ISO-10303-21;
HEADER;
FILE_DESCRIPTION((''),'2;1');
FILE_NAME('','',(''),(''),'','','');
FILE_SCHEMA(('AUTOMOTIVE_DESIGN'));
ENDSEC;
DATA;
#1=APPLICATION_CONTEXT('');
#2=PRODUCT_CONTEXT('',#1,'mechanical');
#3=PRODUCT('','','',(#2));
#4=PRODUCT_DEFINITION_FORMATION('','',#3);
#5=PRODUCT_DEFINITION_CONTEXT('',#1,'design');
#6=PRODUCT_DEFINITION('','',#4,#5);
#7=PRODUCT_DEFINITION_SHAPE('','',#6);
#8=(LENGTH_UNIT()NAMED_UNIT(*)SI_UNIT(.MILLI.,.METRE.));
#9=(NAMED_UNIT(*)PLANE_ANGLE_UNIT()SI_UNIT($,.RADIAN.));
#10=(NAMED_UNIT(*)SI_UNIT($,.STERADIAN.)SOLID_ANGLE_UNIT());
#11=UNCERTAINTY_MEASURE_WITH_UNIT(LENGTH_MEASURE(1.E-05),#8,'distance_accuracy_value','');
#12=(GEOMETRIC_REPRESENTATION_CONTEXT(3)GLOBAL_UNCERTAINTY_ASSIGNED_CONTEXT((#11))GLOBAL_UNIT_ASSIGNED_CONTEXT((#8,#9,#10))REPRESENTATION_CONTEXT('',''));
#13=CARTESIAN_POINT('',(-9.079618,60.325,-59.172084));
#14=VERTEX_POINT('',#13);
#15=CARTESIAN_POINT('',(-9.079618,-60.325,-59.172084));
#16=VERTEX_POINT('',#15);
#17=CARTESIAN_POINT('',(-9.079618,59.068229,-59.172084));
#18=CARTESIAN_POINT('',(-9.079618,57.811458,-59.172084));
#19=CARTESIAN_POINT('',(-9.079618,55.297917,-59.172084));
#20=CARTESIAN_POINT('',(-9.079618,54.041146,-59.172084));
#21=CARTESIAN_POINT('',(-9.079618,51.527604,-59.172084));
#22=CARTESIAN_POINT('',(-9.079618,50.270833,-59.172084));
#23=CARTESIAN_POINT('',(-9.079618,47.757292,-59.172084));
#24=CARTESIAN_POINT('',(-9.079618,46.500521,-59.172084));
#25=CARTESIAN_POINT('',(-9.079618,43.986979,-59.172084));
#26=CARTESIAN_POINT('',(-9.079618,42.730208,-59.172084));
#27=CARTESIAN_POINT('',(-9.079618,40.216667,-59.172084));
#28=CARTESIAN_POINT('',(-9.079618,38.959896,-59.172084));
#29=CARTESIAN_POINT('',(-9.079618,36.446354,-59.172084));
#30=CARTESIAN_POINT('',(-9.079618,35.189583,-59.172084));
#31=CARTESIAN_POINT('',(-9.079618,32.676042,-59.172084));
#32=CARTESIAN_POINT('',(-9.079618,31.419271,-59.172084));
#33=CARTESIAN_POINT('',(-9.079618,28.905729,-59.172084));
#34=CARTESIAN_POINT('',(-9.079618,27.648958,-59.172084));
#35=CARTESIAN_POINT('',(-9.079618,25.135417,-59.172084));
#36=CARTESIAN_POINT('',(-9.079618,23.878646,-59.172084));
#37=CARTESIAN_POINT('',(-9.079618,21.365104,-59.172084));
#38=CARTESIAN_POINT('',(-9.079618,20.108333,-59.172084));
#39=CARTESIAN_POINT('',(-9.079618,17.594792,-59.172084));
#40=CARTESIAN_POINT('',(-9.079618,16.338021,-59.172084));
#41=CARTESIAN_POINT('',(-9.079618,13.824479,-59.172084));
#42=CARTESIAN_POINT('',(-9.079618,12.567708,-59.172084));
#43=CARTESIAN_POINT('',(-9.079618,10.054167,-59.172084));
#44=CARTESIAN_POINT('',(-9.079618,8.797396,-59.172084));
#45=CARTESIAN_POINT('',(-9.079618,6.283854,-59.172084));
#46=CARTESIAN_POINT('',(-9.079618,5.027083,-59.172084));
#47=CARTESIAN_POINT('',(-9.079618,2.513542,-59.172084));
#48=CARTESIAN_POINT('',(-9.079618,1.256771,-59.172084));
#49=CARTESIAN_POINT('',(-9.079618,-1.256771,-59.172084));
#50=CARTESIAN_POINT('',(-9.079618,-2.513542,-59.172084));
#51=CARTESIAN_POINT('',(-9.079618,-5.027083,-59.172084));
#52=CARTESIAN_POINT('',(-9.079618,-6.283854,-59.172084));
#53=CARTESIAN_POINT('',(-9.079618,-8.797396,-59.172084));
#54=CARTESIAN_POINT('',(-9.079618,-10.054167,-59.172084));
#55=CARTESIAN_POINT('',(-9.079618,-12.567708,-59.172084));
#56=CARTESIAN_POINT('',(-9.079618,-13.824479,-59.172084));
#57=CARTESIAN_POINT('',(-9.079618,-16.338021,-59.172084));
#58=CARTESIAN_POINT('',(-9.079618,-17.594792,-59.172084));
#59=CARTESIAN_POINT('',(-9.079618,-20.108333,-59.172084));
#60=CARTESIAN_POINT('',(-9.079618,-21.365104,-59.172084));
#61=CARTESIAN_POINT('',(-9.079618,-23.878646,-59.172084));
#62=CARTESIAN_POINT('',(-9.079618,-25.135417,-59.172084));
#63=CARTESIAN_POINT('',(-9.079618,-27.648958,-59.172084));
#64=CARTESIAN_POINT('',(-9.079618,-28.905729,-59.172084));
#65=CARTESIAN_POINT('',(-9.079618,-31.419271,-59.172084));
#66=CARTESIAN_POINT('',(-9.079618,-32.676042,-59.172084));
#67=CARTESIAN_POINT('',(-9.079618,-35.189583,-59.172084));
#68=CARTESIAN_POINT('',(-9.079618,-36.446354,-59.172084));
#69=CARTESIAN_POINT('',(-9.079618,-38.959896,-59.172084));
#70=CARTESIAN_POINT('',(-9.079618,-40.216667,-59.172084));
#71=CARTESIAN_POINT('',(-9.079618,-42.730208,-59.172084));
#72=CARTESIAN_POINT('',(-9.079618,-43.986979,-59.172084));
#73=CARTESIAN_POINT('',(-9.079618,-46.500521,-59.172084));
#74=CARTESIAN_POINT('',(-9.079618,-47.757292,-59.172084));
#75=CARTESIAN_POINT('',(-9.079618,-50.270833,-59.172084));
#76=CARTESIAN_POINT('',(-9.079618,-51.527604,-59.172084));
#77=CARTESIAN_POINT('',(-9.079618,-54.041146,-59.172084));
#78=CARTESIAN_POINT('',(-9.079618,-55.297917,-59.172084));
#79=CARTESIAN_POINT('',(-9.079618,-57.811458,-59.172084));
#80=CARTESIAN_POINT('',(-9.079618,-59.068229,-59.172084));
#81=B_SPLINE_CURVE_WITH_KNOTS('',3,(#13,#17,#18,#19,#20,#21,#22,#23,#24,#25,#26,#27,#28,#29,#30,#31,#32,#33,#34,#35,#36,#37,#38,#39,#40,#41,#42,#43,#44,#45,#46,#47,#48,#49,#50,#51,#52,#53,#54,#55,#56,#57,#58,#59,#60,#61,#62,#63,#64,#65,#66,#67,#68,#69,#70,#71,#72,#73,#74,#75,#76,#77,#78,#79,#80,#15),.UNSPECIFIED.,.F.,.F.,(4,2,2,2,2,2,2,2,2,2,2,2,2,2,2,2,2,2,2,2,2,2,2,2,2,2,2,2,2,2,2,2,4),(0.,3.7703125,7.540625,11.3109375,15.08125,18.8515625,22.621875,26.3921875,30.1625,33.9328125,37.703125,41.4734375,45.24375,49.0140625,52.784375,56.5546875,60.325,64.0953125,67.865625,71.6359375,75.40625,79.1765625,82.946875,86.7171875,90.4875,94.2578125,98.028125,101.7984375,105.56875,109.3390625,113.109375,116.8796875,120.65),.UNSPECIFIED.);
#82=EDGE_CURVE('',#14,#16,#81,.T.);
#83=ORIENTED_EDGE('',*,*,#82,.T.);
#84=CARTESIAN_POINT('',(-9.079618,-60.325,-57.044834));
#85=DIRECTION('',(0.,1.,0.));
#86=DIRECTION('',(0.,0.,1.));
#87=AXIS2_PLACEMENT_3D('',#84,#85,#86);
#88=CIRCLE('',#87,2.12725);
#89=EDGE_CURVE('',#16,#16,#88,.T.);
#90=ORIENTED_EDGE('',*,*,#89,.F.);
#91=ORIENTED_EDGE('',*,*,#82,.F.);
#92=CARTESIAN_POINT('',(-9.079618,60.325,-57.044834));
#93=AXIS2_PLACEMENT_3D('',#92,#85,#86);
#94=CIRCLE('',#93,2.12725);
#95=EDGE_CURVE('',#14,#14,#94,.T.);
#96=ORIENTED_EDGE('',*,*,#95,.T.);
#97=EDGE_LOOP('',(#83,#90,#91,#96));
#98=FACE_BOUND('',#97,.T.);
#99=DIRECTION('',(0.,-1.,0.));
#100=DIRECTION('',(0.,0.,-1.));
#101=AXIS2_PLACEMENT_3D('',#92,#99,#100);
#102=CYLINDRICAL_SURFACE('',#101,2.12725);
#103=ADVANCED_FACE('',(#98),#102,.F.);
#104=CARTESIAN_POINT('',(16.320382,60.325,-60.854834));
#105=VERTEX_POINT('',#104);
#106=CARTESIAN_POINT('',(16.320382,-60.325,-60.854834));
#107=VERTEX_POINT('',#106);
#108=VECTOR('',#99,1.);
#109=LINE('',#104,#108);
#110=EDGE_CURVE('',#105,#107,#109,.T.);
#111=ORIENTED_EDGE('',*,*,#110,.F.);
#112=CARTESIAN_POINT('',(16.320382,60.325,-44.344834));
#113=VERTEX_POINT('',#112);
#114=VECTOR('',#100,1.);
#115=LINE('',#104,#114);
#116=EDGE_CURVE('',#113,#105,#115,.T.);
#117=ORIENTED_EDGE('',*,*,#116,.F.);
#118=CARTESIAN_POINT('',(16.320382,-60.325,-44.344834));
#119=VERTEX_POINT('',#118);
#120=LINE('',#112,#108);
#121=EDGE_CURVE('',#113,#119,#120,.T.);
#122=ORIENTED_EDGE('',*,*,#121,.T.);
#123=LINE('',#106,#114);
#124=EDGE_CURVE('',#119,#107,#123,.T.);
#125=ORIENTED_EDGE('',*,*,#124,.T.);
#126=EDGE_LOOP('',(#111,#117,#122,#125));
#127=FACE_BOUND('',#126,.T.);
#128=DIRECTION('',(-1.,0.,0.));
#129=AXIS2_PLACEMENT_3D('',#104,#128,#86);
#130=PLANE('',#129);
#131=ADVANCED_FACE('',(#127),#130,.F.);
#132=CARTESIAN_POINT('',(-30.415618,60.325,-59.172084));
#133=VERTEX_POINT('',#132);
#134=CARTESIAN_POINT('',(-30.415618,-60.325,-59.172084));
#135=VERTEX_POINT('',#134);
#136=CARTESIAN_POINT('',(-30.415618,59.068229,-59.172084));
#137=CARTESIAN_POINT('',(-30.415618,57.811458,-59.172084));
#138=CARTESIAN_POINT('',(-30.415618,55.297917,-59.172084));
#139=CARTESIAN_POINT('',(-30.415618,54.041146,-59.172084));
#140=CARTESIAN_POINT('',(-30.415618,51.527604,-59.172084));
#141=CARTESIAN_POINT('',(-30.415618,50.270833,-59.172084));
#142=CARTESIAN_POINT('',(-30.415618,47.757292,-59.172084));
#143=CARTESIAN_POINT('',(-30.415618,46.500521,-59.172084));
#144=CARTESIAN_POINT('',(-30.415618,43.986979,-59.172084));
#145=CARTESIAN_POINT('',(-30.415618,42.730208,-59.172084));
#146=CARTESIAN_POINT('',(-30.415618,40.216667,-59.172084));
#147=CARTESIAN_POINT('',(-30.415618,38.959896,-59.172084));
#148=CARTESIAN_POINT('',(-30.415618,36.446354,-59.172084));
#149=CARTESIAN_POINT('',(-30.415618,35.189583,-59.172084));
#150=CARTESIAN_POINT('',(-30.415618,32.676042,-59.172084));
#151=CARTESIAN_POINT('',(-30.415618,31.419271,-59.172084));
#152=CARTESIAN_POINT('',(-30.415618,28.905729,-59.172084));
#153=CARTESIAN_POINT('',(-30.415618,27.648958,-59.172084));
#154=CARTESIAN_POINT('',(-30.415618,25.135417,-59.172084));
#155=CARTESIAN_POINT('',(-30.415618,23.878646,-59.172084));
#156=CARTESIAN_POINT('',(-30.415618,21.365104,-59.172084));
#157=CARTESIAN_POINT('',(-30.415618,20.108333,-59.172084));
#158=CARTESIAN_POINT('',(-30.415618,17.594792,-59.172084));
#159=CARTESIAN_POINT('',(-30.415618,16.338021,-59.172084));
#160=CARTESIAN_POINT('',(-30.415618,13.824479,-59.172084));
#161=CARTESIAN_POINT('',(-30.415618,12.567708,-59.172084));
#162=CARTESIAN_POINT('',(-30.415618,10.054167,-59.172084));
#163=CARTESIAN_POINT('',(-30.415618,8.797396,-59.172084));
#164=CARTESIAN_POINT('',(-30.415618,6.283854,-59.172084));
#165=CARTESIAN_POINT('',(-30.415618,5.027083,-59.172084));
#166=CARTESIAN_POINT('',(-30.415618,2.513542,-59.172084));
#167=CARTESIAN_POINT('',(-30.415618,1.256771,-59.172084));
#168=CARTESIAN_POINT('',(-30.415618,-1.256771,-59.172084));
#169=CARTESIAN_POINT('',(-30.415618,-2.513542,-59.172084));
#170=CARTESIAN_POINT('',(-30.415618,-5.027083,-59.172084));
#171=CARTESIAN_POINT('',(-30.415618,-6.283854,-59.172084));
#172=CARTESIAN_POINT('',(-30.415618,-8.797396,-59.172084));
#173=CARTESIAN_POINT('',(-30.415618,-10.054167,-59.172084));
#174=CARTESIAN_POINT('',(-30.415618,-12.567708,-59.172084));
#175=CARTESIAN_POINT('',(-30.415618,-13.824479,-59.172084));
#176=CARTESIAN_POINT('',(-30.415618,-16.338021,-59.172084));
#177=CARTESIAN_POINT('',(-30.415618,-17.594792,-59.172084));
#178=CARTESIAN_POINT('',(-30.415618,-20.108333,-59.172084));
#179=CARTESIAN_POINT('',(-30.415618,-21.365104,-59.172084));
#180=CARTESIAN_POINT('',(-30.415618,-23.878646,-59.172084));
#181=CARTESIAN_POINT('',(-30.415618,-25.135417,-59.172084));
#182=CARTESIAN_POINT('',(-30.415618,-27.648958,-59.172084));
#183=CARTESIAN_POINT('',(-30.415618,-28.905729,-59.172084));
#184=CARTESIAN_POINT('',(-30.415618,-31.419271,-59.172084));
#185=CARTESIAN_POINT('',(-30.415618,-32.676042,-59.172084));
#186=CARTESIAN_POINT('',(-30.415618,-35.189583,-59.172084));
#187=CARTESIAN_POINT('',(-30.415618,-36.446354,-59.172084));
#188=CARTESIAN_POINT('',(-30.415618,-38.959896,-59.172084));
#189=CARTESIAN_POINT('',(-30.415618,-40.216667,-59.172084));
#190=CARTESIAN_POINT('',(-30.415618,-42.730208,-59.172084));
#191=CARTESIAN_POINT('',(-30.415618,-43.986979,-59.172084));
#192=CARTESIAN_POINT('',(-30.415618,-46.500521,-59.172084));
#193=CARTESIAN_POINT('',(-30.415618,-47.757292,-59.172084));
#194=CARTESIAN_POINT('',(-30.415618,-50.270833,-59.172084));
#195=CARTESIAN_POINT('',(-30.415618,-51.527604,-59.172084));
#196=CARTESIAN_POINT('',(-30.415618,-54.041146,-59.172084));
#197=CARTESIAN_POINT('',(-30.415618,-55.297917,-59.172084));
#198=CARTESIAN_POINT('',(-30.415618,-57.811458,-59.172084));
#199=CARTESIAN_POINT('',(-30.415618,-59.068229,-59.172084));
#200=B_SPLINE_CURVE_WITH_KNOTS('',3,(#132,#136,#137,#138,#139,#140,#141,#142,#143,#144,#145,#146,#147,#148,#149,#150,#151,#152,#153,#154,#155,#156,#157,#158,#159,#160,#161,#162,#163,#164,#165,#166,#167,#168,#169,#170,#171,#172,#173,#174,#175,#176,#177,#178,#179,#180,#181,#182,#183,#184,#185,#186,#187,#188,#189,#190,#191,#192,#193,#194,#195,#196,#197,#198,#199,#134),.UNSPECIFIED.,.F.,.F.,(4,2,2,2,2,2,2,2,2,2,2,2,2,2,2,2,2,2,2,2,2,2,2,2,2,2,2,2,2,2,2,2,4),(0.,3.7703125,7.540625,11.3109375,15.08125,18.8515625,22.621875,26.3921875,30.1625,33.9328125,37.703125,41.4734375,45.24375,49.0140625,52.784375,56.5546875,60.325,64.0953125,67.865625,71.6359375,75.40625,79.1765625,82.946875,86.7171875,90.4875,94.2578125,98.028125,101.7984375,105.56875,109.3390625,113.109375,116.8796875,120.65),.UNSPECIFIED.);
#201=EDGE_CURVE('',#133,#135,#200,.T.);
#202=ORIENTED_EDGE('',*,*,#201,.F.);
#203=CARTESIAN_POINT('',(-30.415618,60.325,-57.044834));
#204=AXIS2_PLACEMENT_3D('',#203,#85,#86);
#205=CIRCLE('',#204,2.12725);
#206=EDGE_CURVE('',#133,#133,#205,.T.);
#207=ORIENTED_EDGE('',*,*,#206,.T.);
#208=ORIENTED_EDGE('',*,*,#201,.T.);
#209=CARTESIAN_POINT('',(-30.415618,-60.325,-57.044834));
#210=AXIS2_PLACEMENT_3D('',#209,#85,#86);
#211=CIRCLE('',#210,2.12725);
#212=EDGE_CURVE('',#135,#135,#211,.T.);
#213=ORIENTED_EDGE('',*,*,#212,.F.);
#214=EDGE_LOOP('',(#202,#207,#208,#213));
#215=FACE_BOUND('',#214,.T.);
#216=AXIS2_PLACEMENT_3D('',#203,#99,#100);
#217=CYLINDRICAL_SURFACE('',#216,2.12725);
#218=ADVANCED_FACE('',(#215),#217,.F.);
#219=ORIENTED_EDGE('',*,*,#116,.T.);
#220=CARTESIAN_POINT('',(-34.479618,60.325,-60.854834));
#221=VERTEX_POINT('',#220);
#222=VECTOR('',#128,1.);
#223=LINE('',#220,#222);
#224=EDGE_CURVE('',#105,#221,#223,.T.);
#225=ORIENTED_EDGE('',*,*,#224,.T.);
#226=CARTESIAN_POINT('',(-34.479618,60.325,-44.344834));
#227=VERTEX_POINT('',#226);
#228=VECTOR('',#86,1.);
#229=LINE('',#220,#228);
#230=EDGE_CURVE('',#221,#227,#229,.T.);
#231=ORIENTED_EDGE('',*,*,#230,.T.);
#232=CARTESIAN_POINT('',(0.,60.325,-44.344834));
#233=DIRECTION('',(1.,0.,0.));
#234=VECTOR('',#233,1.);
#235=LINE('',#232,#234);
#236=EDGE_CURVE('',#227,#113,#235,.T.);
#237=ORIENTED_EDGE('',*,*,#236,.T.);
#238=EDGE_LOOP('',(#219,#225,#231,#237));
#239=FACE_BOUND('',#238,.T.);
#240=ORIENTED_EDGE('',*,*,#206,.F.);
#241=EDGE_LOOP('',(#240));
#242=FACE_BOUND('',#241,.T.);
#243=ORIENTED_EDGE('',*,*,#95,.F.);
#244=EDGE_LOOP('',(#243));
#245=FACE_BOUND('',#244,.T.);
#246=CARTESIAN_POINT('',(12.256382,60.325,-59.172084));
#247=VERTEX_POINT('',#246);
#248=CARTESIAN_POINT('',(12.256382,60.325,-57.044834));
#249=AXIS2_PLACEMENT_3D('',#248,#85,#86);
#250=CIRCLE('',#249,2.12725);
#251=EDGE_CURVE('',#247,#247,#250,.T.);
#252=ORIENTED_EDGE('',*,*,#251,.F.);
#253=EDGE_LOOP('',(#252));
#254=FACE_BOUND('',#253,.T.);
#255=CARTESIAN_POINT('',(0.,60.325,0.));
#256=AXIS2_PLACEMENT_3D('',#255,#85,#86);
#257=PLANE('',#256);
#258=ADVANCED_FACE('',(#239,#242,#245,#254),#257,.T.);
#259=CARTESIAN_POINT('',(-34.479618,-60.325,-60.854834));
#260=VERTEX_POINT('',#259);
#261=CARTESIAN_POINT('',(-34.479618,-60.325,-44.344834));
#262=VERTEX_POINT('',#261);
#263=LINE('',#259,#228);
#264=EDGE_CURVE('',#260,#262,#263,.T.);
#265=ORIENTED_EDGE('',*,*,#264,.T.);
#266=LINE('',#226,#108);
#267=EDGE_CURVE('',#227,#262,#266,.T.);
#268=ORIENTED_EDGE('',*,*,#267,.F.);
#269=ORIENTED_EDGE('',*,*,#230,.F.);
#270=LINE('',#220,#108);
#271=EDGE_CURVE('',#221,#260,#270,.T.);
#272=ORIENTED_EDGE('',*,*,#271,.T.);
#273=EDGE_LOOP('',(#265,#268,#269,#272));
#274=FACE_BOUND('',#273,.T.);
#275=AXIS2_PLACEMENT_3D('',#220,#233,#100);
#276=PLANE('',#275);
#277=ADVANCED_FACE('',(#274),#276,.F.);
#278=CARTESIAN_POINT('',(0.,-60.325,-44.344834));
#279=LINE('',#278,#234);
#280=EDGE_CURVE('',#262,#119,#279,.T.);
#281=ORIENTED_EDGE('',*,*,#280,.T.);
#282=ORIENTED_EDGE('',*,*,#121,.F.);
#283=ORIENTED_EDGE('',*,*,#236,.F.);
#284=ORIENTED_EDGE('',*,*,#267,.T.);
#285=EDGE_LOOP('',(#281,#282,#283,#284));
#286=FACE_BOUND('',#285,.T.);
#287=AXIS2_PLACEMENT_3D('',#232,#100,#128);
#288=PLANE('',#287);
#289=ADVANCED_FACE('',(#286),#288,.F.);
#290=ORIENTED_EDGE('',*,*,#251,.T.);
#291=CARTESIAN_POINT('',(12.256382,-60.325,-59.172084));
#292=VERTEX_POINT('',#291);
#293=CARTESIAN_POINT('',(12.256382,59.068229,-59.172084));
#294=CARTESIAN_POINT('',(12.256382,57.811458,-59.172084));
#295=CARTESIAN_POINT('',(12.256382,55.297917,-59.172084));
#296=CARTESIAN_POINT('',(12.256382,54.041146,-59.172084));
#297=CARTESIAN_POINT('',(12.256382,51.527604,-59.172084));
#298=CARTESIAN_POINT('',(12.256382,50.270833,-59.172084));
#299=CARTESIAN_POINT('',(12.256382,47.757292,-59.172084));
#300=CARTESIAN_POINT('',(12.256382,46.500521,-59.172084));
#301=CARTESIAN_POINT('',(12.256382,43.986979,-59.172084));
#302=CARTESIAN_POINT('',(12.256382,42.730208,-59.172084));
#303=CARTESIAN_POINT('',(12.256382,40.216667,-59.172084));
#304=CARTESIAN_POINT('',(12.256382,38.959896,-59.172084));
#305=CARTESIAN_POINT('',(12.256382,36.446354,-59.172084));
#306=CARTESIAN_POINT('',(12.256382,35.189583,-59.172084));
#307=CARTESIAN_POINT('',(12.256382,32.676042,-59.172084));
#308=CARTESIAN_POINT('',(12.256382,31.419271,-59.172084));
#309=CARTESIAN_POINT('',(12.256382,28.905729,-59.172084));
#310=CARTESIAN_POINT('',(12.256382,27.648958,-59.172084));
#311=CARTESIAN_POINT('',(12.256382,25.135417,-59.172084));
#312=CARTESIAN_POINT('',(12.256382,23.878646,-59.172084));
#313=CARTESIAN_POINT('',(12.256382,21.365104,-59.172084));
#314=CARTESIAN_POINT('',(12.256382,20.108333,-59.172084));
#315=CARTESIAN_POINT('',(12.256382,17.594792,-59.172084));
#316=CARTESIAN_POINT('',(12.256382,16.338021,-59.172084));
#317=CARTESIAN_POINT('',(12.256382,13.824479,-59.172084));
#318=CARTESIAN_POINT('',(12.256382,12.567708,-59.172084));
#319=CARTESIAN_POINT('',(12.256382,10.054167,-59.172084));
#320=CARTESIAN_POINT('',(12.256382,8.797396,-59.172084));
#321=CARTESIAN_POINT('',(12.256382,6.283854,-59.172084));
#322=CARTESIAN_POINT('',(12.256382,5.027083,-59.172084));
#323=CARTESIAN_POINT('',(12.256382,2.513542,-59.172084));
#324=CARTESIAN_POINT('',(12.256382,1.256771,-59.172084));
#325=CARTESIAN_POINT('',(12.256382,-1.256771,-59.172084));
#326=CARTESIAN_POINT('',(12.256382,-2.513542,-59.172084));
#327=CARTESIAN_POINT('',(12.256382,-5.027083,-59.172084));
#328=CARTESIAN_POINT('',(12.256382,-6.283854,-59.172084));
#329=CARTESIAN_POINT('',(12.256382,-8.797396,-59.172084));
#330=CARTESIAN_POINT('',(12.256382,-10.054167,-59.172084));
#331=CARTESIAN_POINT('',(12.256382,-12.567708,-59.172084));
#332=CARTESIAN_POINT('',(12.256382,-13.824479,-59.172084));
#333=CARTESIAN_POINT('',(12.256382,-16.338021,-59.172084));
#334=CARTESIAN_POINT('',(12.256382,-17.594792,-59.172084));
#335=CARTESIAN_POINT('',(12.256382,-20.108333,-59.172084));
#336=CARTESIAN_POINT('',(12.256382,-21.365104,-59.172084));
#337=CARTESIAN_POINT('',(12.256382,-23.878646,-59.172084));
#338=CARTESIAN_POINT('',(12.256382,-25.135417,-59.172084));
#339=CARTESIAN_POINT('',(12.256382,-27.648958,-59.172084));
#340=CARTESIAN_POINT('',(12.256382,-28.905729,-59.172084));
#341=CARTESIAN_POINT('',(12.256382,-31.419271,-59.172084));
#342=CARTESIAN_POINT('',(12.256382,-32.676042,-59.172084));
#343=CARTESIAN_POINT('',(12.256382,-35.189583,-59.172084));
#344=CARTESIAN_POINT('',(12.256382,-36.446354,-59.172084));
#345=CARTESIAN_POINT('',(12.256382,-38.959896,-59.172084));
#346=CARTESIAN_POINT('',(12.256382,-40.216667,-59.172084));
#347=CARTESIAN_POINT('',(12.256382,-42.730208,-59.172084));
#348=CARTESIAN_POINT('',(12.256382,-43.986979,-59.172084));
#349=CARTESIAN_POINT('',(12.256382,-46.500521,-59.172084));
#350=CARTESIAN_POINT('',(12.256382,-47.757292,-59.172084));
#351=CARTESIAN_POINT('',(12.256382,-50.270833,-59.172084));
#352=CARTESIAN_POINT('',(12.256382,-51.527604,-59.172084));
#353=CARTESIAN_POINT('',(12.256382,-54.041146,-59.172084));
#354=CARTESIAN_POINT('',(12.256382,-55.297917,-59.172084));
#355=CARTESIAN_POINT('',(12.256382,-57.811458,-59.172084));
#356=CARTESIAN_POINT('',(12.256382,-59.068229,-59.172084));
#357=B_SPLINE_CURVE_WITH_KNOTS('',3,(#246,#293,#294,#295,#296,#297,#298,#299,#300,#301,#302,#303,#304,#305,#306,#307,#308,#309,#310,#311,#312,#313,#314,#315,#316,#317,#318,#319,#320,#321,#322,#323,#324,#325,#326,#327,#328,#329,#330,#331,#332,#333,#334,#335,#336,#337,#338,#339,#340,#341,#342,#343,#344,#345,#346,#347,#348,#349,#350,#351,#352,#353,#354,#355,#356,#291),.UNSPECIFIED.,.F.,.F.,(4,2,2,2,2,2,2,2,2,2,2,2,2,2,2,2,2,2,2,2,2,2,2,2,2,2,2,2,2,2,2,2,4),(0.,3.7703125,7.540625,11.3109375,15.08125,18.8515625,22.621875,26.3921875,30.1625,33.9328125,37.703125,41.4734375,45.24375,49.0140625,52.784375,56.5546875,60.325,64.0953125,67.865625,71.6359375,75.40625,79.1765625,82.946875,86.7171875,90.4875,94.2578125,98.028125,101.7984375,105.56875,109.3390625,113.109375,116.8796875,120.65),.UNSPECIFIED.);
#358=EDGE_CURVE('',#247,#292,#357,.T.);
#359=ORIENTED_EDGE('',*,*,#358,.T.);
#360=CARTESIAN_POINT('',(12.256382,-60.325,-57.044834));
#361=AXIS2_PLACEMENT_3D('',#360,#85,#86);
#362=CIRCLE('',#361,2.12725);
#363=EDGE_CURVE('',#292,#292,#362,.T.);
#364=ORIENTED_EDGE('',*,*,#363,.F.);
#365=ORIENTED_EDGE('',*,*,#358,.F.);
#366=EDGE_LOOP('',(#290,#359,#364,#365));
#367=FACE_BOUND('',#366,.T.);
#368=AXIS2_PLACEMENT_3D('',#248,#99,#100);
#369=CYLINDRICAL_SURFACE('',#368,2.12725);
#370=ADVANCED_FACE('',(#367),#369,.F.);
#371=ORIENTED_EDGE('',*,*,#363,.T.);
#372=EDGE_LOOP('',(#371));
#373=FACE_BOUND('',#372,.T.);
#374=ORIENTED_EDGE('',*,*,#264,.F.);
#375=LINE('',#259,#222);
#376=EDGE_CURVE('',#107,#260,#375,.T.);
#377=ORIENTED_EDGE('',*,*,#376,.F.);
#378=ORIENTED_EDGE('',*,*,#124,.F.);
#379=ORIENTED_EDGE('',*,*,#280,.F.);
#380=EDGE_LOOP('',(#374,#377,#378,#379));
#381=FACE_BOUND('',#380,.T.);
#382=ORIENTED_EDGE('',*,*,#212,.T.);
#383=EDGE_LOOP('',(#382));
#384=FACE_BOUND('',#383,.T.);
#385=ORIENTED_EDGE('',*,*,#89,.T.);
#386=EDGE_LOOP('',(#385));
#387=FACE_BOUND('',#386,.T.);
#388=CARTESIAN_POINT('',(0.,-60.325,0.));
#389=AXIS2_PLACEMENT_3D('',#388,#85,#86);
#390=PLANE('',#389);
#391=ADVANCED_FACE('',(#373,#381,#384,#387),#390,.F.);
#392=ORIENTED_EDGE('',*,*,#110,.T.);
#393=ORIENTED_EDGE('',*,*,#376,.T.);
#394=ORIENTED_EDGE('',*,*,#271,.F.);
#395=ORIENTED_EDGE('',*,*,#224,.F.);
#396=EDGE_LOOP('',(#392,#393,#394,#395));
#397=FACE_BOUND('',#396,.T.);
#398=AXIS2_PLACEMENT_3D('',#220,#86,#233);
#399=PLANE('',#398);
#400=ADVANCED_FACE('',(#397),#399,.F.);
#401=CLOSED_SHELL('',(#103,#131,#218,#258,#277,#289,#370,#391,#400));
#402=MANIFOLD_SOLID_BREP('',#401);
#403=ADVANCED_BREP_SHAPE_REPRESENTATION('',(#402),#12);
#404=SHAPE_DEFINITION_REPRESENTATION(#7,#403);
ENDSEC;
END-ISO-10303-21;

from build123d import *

# Parameters (mm, degrees)
SKETCH1_W           = 50.8
SKETCH1_H           = 7.62
SKETCH1_R           = 2.12725
BOSS_EXTRUDE1_DEPTH = 60.325
SKETCH2_W           = 50.8
SKETCH2_H           = 8.89
BOSS_EXTRUDE2_DEPTH = 60.325


with BuildPart() as part:
    # Sketch1 → Boss-Extrude1 (new, symmetric)
    with BuildSketch(Plane(origin=(0, 0, 0), x_dir=(1, 0, 0), z_dir=(0, 1, 0))):
        with Locations((-9.079617512, 57.044833819)):
            Rectangle(SKETCH1_W, SKETCH1_H)
        with Locations(Location((-30.415617512, 57.044833819, 0), (0, 0, 90))):
            Circle(SKETCH1_R, mode=Mode.SUBTRACT)
        with Locations(Location((-9.079617512, 57.044833819, 0), (0, 0, 90))):
            Circle(SKETCH1_R, mode=Mode.SUBTRACT)
        with Locations(Location((12.256382488, 57.044833819, 0), (0, 0, 90))):
            Circle(SKETCH1_R, mode=Mode.SUBTRACT)
    extrude(amount=BOSS_EXTRUDE1_DEPTH, both=True)

    # Sketch2 → Boss-Extrude2 (add, symmetric)
    with BuildSketch(Plane(origin=(0, 0, 0), x_dir=(1, 0, 0), z_dir=(0, 1, 0))):
        with Locations((-9.079617512, 48.789833819)):
            Rectangle(SKETCH2_W, SKETCH2_H)
    extrude(amount=BOSS_EXTRUDE2_DEPTH, both=True)


solid = part.part
